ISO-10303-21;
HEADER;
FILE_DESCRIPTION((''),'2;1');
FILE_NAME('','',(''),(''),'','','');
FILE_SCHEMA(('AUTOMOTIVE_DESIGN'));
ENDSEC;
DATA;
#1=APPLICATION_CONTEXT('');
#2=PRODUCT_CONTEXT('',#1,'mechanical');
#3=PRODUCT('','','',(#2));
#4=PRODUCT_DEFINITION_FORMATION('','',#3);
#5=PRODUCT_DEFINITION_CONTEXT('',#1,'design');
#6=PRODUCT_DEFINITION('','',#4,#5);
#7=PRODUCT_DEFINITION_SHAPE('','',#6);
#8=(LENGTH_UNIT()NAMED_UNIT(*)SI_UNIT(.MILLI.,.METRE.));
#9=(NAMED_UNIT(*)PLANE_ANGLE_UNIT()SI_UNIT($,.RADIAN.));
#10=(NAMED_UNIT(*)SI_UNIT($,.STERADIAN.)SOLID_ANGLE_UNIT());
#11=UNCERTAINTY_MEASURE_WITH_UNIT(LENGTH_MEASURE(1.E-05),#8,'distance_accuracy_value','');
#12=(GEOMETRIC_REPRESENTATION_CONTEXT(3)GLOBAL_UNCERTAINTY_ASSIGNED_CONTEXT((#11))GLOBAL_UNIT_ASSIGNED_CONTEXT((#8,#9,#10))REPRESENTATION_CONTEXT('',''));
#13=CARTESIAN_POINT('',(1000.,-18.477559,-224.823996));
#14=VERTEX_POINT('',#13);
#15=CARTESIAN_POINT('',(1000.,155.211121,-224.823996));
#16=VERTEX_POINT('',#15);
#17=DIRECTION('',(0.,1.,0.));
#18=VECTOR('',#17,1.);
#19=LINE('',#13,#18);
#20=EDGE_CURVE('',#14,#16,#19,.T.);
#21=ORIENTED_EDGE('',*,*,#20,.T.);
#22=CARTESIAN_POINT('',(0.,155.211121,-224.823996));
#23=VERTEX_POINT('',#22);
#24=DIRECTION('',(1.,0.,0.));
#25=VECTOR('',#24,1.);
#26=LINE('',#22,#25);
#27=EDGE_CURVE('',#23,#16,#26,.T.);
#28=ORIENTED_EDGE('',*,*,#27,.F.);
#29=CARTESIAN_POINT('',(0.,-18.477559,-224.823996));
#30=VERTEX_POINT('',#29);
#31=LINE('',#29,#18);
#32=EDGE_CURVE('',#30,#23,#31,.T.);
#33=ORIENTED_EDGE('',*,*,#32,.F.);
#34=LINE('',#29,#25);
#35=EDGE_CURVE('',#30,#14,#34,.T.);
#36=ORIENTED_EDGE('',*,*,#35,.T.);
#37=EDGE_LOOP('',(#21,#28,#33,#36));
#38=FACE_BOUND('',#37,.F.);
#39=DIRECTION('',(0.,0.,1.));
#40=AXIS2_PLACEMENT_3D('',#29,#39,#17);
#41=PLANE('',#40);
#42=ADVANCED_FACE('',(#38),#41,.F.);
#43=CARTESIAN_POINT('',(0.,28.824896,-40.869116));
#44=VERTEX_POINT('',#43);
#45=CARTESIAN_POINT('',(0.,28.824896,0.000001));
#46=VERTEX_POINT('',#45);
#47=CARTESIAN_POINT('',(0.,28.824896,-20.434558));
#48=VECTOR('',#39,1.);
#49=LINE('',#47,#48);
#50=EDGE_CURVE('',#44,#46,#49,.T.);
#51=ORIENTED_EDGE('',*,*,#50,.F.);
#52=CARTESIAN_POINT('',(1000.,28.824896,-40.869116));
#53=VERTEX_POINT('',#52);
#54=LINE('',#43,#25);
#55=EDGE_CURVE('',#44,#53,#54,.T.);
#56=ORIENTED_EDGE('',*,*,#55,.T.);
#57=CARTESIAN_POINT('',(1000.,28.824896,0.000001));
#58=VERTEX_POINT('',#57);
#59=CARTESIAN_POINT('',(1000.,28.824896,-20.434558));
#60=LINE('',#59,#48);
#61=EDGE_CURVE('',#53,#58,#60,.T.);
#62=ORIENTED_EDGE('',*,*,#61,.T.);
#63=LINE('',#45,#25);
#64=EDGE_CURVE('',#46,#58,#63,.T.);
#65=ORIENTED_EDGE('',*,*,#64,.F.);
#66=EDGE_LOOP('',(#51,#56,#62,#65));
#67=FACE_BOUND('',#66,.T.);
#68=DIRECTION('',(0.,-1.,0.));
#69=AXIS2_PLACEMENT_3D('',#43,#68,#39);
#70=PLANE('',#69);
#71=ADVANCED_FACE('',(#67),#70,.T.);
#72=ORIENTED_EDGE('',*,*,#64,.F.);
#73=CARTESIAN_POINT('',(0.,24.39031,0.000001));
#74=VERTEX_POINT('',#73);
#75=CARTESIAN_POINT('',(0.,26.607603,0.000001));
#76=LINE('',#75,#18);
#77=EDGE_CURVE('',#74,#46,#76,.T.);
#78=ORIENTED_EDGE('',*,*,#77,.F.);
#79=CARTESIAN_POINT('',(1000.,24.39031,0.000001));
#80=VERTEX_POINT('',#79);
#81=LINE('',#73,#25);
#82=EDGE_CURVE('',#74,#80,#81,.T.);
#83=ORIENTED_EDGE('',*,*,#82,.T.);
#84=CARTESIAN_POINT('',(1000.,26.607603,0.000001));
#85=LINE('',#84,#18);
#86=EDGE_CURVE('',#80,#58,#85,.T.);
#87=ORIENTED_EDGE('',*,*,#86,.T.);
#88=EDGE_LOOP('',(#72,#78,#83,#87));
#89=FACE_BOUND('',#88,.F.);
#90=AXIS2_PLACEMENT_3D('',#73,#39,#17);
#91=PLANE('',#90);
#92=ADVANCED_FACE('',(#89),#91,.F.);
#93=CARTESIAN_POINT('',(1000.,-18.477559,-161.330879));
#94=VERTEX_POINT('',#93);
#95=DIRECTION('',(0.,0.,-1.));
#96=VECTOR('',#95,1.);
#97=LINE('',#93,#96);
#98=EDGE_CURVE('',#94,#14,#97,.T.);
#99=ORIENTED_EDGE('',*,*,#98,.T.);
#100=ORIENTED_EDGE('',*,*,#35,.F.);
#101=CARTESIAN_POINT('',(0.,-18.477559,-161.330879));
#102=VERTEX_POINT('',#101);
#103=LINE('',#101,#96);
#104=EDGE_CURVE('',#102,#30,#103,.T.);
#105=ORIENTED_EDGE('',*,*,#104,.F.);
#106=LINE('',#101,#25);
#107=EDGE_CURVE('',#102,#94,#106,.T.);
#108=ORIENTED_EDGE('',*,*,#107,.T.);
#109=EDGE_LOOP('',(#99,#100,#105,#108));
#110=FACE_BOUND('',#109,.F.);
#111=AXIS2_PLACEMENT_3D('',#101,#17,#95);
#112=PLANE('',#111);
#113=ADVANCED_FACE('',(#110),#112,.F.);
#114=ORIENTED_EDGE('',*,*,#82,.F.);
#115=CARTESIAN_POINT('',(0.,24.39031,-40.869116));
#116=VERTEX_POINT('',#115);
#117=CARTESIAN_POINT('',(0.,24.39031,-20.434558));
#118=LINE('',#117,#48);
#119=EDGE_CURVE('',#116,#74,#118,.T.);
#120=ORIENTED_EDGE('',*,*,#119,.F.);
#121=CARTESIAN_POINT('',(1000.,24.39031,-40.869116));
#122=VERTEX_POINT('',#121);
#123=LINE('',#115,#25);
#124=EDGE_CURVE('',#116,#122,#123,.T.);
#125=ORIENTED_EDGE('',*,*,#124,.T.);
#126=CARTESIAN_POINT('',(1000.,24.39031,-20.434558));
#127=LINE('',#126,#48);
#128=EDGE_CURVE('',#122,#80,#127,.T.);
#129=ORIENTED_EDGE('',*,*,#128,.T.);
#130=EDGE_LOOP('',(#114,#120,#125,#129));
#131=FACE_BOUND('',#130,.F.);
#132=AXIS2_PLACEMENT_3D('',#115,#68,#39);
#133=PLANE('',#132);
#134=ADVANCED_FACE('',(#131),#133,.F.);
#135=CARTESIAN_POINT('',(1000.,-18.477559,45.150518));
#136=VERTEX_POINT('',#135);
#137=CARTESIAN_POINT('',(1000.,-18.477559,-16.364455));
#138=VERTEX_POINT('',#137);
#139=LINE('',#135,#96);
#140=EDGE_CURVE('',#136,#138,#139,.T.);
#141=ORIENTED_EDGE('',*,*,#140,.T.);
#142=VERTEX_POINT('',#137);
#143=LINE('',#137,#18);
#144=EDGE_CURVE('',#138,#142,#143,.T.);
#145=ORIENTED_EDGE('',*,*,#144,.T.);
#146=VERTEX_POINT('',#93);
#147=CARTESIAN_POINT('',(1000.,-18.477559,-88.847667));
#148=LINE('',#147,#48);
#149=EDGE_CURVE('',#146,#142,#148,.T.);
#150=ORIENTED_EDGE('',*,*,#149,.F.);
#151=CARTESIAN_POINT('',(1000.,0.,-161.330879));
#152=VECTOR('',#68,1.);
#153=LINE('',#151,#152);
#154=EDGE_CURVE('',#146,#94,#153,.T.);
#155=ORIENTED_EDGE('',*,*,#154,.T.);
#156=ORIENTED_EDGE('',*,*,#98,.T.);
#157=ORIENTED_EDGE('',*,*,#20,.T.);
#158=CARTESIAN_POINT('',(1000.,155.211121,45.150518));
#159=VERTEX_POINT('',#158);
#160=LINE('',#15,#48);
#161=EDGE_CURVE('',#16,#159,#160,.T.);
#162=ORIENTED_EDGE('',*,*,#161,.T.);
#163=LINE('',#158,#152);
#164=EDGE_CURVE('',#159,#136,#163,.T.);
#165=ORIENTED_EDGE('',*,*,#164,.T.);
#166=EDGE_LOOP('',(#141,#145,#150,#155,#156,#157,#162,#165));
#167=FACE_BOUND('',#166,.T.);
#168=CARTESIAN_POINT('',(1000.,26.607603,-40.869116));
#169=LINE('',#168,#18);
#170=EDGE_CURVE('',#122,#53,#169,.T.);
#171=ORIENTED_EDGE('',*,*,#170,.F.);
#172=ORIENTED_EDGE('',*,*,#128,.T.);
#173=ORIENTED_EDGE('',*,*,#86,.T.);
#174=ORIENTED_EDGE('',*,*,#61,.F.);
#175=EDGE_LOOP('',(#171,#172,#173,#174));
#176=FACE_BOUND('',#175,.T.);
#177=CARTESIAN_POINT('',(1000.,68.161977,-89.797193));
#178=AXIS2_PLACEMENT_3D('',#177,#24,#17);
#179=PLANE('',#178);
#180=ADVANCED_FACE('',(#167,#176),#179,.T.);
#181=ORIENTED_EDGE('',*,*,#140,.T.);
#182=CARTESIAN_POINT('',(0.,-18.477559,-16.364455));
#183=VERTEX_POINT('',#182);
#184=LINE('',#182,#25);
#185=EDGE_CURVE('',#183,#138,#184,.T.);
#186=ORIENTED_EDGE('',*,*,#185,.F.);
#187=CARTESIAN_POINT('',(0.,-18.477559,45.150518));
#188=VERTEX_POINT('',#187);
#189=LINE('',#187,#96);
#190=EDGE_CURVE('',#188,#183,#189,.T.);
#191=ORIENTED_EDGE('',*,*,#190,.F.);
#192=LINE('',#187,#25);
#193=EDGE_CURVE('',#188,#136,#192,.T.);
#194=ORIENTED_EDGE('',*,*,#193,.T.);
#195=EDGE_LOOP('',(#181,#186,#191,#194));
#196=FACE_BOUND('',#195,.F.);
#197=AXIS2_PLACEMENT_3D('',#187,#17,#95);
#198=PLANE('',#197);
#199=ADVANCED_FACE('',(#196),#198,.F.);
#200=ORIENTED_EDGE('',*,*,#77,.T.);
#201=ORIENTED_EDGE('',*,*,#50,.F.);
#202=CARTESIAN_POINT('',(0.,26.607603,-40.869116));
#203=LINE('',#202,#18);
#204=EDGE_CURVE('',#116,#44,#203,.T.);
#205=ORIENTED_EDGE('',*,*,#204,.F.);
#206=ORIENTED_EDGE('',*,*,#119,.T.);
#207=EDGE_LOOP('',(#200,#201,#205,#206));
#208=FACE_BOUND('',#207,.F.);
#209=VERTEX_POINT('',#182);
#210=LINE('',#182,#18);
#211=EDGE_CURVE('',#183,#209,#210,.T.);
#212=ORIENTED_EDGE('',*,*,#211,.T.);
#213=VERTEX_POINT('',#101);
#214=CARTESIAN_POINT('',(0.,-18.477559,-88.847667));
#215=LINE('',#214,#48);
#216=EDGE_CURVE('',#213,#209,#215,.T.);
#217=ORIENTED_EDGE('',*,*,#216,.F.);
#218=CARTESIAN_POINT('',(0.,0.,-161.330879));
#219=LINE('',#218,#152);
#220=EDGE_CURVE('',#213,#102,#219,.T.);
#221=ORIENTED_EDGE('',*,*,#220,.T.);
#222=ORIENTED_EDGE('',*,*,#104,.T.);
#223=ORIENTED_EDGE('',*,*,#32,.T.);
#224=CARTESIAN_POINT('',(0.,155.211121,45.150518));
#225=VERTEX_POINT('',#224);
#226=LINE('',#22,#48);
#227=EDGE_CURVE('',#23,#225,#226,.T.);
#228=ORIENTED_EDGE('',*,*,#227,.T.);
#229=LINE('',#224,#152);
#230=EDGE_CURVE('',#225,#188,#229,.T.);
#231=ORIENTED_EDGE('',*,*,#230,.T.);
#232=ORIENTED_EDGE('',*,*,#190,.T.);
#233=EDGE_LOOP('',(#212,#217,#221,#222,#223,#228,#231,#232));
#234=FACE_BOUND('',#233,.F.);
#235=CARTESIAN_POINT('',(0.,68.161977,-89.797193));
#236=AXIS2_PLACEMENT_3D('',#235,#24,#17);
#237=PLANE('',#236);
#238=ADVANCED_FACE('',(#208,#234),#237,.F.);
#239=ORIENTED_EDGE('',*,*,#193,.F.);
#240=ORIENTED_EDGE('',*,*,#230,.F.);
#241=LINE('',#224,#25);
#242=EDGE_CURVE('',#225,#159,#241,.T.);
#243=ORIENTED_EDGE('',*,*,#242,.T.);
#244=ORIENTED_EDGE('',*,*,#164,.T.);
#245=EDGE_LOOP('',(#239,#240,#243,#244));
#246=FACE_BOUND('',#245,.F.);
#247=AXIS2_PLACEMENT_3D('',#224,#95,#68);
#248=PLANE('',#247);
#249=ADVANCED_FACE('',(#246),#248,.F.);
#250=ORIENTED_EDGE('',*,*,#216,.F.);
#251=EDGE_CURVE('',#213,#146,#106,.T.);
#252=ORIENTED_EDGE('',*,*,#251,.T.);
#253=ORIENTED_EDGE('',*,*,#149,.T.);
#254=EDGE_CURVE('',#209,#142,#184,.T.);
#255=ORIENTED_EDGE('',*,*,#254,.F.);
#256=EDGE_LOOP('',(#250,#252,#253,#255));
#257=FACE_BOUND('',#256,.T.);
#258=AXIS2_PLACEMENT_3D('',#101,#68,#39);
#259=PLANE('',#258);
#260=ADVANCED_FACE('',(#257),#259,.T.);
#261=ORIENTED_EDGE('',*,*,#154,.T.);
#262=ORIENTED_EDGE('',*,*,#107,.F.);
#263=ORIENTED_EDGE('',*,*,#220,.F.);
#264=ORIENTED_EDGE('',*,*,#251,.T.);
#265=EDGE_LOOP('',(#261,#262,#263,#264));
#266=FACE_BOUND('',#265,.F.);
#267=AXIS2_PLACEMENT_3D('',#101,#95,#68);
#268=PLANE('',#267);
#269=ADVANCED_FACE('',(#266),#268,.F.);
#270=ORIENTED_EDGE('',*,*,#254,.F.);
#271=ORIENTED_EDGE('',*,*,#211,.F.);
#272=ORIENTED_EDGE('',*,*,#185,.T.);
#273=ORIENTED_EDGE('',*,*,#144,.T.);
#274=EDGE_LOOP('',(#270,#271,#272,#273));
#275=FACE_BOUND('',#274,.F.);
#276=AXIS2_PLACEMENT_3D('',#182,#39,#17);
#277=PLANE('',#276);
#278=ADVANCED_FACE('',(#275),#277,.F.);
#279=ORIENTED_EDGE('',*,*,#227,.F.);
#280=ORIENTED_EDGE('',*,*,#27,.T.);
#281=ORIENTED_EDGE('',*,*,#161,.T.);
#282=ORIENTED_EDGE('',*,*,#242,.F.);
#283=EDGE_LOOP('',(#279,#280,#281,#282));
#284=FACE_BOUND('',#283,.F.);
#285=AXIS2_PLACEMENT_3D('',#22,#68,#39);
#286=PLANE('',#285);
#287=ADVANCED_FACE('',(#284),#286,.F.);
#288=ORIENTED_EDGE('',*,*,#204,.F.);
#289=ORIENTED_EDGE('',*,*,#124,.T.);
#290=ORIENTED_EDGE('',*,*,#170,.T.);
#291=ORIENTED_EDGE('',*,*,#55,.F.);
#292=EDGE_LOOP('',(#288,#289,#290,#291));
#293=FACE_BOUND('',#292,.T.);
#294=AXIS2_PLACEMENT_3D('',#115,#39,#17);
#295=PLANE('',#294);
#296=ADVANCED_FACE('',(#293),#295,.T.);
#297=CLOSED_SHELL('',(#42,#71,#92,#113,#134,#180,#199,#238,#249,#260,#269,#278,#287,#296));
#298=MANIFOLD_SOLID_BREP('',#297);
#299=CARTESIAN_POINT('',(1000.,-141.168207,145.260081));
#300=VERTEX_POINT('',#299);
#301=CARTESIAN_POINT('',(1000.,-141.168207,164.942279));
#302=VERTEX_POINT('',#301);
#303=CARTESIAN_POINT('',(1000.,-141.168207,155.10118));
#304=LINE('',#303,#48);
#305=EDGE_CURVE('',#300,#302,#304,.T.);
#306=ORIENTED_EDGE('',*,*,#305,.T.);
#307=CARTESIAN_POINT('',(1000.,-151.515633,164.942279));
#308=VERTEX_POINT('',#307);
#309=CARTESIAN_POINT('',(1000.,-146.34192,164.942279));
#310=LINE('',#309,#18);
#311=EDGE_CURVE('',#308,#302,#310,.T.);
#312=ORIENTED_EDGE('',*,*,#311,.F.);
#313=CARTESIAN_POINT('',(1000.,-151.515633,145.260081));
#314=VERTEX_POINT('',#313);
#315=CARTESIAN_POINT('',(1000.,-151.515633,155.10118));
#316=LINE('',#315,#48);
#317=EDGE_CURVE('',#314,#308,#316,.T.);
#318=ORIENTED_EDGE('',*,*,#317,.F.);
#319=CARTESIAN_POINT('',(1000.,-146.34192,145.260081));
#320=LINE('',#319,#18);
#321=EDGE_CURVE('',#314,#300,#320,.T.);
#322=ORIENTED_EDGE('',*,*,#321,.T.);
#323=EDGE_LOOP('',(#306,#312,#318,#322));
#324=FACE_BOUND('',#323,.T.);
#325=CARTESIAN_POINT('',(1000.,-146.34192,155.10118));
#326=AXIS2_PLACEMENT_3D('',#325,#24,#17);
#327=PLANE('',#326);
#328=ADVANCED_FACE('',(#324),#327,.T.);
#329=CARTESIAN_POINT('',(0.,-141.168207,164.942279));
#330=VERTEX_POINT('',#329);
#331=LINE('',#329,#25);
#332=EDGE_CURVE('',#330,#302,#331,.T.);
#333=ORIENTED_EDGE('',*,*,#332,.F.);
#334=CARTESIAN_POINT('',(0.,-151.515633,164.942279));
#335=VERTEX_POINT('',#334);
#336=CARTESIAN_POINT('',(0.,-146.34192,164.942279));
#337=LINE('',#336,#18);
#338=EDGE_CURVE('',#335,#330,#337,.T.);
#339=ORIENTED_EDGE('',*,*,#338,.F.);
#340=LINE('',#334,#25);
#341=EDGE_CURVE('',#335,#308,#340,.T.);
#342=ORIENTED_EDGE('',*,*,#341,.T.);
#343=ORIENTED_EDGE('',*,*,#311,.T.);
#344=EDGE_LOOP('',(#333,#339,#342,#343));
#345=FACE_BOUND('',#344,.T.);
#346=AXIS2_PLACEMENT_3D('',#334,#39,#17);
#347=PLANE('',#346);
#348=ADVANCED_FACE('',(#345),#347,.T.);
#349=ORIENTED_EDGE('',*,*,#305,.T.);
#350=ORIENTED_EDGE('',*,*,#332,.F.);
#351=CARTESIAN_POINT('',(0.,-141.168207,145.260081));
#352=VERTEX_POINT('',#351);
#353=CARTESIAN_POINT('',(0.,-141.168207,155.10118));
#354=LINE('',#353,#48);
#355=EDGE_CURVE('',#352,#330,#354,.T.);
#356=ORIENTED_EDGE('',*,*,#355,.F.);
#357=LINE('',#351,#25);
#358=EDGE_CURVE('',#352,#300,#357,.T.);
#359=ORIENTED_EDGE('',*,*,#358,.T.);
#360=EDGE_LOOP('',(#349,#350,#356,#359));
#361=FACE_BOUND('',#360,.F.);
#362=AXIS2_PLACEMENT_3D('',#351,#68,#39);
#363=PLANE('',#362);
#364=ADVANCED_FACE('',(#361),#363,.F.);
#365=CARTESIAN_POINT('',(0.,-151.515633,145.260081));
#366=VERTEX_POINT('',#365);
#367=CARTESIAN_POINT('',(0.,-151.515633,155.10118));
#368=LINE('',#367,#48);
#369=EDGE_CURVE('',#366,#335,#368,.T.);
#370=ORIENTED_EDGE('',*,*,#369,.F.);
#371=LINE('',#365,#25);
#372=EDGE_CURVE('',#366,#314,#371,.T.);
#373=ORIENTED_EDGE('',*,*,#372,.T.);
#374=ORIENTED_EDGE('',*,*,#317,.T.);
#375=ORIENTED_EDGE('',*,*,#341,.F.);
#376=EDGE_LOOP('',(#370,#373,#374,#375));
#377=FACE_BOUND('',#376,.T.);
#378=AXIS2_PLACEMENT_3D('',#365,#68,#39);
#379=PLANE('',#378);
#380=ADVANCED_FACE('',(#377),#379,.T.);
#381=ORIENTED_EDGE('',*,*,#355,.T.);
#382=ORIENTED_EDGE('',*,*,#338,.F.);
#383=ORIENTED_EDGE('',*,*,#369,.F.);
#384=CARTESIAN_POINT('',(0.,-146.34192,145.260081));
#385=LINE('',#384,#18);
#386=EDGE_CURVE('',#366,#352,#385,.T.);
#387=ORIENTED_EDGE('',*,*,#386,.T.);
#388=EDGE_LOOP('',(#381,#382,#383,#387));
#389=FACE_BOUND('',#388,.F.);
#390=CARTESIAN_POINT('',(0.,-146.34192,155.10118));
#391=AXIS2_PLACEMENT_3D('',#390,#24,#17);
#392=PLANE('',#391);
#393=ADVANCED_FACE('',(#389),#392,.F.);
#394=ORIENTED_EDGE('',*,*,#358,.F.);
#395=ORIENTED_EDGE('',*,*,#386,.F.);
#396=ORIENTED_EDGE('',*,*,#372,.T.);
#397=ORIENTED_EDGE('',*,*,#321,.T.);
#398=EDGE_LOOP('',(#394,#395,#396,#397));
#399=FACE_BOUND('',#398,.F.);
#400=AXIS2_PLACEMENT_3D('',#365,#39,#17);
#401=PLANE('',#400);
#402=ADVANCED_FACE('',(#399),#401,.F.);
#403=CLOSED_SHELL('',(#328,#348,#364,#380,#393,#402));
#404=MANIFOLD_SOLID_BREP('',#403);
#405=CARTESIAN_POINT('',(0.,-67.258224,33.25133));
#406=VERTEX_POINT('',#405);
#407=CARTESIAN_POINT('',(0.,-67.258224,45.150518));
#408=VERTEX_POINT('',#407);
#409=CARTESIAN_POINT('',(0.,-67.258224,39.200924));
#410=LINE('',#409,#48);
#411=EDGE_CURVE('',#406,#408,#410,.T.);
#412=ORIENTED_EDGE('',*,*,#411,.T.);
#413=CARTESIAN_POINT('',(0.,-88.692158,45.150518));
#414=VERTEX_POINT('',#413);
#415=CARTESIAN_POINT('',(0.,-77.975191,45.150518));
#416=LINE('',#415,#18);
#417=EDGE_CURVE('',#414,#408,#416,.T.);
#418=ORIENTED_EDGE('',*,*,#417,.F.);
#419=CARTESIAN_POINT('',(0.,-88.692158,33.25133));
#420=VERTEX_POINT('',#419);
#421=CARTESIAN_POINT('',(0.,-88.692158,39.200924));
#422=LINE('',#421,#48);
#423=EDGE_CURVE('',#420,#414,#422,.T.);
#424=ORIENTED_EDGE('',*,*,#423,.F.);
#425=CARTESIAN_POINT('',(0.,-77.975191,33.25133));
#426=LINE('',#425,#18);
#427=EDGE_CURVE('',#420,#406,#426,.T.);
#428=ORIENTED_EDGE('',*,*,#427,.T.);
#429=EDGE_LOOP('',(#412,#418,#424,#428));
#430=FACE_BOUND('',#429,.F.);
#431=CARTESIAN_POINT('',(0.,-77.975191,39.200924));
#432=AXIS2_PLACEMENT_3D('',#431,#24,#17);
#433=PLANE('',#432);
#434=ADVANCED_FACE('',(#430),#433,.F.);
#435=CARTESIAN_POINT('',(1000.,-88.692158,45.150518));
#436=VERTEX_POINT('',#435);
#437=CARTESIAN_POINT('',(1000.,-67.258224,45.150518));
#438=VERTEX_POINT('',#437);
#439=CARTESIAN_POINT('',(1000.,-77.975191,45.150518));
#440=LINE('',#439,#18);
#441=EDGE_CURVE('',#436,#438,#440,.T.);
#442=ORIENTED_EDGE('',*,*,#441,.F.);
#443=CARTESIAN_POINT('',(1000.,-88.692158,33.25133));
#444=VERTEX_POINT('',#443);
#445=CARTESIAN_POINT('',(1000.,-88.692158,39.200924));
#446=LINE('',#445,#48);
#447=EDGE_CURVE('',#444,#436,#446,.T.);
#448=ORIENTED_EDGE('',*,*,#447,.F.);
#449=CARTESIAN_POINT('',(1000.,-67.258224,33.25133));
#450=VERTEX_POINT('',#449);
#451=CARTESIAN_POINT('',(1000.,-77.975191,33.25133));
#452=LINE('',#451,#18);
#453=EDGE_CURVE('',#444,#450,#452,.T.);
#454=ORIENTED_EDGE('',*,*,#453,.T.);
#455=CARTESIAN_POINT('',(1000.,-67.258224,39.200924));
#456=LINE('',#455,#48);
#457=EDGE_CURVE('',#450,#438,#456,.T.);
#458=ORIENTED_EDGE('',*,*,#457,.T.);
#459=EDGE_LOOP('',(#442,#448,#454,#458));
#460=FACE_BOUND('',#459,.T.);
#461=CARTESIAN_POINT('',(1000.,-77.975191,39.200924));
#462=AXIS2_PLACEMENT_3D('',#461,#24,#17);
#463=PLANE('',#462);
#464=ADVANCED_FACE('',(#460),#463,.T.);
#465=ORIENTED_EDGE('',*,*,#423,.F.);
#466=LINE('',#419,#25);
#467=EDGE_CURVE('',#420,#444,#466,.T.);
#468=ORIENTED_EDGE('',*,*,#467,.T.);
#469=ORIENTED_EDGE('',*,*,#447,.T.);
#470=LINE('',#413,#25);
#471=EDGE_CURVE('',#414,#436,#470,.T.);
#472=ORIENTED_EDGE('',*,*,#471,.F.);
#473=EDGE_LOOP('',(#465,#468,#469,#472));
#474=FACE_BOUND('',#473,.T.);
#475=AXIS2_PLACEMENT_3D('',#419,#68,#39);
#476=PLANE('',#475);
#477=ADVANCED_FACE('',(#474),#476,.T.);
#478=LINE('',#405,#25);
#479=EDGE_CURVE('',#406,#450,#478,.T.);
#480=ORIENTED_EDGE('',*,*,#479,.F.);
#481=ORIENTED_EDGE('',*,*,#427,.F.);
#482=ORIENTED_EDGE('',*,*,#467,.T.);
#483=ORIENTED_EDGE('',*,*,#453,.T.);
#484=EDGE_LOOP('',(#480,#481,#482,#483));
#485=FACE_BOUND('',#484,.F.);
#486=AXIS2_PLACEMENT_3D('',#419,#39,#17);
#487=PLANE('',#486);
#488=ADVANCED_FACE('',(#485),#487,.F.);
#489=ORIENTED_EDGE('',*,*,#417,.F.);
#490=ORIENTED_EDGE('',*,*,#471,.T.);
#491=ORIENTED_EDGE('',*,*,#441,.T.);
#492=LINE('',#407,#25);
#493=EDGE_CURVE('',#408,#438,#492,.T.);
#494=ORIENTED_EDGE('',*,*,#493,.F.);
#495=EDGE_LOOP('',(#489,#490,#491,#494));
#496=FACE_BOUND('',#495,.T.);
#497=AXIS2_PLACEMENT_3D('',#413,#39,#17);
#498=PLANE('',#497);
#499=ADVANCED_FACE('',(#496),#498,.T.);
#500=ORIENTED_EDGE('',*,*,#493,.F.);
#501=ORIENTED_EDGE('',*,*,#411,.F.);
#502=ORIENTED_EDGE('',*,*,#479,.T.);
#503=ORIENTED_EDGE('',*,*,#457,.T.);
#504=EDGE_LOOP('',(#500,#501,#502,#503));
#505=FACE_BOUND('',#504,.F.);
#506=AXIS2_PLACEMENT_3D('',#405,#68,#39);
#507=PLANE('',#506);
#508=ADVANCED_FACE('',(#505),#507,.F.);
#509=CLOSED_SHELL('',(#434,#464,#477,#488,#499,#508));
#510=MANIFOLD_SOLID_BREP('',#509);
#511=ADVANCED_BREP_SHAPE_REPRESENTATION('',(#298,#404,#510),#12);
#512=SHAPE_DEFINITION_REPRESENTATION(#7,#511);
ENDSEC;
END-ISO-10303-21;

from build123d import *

# Parameters (mm, degrees)
F0_W     = 10.347426
F0_H     = 19.682198
F0_W_2   = 4.434586
F0_H_2   = 40.869117
F0_W_3   = 18.477559
F0_H_3   = 144.966424
F0_W_4   = 21.433934
F0_H_4   = 11.899188
F1_DEPTH = 1000


with BuildPart() as f1:
    # F0 (on Right) → F1 (new body)
    with BuildSketch(Plane.YZ):
        with Locations((-146.34192, 155.10118)):
            Rectangle(F0_W, F0_H)
        Polygon((-18.477559, 45.150518), (-18.477559, -16.364455), (0, -16.364455), (0, -161.330879), (-18.477559, -161.330879), (-18.477559, -224.823996), (155.211121, -224.823996), (155.211121, 45.150518), align=None)
        with Locations((26.607603, -20.434558)):
            Rectangle(F0_W_2, F0_H_2, mode=Mode.SUBTRACT)
        with Locations((-9.238779, -88.847667)):
            Rectangle(F0_W_3, F0_H_3)
        with Locations((-77.975191, 39.200924)):
            Rectangle(F0_W_4, F0_H_4)
    extrude(amount=F1_DEPTH)


solid = f1.part
